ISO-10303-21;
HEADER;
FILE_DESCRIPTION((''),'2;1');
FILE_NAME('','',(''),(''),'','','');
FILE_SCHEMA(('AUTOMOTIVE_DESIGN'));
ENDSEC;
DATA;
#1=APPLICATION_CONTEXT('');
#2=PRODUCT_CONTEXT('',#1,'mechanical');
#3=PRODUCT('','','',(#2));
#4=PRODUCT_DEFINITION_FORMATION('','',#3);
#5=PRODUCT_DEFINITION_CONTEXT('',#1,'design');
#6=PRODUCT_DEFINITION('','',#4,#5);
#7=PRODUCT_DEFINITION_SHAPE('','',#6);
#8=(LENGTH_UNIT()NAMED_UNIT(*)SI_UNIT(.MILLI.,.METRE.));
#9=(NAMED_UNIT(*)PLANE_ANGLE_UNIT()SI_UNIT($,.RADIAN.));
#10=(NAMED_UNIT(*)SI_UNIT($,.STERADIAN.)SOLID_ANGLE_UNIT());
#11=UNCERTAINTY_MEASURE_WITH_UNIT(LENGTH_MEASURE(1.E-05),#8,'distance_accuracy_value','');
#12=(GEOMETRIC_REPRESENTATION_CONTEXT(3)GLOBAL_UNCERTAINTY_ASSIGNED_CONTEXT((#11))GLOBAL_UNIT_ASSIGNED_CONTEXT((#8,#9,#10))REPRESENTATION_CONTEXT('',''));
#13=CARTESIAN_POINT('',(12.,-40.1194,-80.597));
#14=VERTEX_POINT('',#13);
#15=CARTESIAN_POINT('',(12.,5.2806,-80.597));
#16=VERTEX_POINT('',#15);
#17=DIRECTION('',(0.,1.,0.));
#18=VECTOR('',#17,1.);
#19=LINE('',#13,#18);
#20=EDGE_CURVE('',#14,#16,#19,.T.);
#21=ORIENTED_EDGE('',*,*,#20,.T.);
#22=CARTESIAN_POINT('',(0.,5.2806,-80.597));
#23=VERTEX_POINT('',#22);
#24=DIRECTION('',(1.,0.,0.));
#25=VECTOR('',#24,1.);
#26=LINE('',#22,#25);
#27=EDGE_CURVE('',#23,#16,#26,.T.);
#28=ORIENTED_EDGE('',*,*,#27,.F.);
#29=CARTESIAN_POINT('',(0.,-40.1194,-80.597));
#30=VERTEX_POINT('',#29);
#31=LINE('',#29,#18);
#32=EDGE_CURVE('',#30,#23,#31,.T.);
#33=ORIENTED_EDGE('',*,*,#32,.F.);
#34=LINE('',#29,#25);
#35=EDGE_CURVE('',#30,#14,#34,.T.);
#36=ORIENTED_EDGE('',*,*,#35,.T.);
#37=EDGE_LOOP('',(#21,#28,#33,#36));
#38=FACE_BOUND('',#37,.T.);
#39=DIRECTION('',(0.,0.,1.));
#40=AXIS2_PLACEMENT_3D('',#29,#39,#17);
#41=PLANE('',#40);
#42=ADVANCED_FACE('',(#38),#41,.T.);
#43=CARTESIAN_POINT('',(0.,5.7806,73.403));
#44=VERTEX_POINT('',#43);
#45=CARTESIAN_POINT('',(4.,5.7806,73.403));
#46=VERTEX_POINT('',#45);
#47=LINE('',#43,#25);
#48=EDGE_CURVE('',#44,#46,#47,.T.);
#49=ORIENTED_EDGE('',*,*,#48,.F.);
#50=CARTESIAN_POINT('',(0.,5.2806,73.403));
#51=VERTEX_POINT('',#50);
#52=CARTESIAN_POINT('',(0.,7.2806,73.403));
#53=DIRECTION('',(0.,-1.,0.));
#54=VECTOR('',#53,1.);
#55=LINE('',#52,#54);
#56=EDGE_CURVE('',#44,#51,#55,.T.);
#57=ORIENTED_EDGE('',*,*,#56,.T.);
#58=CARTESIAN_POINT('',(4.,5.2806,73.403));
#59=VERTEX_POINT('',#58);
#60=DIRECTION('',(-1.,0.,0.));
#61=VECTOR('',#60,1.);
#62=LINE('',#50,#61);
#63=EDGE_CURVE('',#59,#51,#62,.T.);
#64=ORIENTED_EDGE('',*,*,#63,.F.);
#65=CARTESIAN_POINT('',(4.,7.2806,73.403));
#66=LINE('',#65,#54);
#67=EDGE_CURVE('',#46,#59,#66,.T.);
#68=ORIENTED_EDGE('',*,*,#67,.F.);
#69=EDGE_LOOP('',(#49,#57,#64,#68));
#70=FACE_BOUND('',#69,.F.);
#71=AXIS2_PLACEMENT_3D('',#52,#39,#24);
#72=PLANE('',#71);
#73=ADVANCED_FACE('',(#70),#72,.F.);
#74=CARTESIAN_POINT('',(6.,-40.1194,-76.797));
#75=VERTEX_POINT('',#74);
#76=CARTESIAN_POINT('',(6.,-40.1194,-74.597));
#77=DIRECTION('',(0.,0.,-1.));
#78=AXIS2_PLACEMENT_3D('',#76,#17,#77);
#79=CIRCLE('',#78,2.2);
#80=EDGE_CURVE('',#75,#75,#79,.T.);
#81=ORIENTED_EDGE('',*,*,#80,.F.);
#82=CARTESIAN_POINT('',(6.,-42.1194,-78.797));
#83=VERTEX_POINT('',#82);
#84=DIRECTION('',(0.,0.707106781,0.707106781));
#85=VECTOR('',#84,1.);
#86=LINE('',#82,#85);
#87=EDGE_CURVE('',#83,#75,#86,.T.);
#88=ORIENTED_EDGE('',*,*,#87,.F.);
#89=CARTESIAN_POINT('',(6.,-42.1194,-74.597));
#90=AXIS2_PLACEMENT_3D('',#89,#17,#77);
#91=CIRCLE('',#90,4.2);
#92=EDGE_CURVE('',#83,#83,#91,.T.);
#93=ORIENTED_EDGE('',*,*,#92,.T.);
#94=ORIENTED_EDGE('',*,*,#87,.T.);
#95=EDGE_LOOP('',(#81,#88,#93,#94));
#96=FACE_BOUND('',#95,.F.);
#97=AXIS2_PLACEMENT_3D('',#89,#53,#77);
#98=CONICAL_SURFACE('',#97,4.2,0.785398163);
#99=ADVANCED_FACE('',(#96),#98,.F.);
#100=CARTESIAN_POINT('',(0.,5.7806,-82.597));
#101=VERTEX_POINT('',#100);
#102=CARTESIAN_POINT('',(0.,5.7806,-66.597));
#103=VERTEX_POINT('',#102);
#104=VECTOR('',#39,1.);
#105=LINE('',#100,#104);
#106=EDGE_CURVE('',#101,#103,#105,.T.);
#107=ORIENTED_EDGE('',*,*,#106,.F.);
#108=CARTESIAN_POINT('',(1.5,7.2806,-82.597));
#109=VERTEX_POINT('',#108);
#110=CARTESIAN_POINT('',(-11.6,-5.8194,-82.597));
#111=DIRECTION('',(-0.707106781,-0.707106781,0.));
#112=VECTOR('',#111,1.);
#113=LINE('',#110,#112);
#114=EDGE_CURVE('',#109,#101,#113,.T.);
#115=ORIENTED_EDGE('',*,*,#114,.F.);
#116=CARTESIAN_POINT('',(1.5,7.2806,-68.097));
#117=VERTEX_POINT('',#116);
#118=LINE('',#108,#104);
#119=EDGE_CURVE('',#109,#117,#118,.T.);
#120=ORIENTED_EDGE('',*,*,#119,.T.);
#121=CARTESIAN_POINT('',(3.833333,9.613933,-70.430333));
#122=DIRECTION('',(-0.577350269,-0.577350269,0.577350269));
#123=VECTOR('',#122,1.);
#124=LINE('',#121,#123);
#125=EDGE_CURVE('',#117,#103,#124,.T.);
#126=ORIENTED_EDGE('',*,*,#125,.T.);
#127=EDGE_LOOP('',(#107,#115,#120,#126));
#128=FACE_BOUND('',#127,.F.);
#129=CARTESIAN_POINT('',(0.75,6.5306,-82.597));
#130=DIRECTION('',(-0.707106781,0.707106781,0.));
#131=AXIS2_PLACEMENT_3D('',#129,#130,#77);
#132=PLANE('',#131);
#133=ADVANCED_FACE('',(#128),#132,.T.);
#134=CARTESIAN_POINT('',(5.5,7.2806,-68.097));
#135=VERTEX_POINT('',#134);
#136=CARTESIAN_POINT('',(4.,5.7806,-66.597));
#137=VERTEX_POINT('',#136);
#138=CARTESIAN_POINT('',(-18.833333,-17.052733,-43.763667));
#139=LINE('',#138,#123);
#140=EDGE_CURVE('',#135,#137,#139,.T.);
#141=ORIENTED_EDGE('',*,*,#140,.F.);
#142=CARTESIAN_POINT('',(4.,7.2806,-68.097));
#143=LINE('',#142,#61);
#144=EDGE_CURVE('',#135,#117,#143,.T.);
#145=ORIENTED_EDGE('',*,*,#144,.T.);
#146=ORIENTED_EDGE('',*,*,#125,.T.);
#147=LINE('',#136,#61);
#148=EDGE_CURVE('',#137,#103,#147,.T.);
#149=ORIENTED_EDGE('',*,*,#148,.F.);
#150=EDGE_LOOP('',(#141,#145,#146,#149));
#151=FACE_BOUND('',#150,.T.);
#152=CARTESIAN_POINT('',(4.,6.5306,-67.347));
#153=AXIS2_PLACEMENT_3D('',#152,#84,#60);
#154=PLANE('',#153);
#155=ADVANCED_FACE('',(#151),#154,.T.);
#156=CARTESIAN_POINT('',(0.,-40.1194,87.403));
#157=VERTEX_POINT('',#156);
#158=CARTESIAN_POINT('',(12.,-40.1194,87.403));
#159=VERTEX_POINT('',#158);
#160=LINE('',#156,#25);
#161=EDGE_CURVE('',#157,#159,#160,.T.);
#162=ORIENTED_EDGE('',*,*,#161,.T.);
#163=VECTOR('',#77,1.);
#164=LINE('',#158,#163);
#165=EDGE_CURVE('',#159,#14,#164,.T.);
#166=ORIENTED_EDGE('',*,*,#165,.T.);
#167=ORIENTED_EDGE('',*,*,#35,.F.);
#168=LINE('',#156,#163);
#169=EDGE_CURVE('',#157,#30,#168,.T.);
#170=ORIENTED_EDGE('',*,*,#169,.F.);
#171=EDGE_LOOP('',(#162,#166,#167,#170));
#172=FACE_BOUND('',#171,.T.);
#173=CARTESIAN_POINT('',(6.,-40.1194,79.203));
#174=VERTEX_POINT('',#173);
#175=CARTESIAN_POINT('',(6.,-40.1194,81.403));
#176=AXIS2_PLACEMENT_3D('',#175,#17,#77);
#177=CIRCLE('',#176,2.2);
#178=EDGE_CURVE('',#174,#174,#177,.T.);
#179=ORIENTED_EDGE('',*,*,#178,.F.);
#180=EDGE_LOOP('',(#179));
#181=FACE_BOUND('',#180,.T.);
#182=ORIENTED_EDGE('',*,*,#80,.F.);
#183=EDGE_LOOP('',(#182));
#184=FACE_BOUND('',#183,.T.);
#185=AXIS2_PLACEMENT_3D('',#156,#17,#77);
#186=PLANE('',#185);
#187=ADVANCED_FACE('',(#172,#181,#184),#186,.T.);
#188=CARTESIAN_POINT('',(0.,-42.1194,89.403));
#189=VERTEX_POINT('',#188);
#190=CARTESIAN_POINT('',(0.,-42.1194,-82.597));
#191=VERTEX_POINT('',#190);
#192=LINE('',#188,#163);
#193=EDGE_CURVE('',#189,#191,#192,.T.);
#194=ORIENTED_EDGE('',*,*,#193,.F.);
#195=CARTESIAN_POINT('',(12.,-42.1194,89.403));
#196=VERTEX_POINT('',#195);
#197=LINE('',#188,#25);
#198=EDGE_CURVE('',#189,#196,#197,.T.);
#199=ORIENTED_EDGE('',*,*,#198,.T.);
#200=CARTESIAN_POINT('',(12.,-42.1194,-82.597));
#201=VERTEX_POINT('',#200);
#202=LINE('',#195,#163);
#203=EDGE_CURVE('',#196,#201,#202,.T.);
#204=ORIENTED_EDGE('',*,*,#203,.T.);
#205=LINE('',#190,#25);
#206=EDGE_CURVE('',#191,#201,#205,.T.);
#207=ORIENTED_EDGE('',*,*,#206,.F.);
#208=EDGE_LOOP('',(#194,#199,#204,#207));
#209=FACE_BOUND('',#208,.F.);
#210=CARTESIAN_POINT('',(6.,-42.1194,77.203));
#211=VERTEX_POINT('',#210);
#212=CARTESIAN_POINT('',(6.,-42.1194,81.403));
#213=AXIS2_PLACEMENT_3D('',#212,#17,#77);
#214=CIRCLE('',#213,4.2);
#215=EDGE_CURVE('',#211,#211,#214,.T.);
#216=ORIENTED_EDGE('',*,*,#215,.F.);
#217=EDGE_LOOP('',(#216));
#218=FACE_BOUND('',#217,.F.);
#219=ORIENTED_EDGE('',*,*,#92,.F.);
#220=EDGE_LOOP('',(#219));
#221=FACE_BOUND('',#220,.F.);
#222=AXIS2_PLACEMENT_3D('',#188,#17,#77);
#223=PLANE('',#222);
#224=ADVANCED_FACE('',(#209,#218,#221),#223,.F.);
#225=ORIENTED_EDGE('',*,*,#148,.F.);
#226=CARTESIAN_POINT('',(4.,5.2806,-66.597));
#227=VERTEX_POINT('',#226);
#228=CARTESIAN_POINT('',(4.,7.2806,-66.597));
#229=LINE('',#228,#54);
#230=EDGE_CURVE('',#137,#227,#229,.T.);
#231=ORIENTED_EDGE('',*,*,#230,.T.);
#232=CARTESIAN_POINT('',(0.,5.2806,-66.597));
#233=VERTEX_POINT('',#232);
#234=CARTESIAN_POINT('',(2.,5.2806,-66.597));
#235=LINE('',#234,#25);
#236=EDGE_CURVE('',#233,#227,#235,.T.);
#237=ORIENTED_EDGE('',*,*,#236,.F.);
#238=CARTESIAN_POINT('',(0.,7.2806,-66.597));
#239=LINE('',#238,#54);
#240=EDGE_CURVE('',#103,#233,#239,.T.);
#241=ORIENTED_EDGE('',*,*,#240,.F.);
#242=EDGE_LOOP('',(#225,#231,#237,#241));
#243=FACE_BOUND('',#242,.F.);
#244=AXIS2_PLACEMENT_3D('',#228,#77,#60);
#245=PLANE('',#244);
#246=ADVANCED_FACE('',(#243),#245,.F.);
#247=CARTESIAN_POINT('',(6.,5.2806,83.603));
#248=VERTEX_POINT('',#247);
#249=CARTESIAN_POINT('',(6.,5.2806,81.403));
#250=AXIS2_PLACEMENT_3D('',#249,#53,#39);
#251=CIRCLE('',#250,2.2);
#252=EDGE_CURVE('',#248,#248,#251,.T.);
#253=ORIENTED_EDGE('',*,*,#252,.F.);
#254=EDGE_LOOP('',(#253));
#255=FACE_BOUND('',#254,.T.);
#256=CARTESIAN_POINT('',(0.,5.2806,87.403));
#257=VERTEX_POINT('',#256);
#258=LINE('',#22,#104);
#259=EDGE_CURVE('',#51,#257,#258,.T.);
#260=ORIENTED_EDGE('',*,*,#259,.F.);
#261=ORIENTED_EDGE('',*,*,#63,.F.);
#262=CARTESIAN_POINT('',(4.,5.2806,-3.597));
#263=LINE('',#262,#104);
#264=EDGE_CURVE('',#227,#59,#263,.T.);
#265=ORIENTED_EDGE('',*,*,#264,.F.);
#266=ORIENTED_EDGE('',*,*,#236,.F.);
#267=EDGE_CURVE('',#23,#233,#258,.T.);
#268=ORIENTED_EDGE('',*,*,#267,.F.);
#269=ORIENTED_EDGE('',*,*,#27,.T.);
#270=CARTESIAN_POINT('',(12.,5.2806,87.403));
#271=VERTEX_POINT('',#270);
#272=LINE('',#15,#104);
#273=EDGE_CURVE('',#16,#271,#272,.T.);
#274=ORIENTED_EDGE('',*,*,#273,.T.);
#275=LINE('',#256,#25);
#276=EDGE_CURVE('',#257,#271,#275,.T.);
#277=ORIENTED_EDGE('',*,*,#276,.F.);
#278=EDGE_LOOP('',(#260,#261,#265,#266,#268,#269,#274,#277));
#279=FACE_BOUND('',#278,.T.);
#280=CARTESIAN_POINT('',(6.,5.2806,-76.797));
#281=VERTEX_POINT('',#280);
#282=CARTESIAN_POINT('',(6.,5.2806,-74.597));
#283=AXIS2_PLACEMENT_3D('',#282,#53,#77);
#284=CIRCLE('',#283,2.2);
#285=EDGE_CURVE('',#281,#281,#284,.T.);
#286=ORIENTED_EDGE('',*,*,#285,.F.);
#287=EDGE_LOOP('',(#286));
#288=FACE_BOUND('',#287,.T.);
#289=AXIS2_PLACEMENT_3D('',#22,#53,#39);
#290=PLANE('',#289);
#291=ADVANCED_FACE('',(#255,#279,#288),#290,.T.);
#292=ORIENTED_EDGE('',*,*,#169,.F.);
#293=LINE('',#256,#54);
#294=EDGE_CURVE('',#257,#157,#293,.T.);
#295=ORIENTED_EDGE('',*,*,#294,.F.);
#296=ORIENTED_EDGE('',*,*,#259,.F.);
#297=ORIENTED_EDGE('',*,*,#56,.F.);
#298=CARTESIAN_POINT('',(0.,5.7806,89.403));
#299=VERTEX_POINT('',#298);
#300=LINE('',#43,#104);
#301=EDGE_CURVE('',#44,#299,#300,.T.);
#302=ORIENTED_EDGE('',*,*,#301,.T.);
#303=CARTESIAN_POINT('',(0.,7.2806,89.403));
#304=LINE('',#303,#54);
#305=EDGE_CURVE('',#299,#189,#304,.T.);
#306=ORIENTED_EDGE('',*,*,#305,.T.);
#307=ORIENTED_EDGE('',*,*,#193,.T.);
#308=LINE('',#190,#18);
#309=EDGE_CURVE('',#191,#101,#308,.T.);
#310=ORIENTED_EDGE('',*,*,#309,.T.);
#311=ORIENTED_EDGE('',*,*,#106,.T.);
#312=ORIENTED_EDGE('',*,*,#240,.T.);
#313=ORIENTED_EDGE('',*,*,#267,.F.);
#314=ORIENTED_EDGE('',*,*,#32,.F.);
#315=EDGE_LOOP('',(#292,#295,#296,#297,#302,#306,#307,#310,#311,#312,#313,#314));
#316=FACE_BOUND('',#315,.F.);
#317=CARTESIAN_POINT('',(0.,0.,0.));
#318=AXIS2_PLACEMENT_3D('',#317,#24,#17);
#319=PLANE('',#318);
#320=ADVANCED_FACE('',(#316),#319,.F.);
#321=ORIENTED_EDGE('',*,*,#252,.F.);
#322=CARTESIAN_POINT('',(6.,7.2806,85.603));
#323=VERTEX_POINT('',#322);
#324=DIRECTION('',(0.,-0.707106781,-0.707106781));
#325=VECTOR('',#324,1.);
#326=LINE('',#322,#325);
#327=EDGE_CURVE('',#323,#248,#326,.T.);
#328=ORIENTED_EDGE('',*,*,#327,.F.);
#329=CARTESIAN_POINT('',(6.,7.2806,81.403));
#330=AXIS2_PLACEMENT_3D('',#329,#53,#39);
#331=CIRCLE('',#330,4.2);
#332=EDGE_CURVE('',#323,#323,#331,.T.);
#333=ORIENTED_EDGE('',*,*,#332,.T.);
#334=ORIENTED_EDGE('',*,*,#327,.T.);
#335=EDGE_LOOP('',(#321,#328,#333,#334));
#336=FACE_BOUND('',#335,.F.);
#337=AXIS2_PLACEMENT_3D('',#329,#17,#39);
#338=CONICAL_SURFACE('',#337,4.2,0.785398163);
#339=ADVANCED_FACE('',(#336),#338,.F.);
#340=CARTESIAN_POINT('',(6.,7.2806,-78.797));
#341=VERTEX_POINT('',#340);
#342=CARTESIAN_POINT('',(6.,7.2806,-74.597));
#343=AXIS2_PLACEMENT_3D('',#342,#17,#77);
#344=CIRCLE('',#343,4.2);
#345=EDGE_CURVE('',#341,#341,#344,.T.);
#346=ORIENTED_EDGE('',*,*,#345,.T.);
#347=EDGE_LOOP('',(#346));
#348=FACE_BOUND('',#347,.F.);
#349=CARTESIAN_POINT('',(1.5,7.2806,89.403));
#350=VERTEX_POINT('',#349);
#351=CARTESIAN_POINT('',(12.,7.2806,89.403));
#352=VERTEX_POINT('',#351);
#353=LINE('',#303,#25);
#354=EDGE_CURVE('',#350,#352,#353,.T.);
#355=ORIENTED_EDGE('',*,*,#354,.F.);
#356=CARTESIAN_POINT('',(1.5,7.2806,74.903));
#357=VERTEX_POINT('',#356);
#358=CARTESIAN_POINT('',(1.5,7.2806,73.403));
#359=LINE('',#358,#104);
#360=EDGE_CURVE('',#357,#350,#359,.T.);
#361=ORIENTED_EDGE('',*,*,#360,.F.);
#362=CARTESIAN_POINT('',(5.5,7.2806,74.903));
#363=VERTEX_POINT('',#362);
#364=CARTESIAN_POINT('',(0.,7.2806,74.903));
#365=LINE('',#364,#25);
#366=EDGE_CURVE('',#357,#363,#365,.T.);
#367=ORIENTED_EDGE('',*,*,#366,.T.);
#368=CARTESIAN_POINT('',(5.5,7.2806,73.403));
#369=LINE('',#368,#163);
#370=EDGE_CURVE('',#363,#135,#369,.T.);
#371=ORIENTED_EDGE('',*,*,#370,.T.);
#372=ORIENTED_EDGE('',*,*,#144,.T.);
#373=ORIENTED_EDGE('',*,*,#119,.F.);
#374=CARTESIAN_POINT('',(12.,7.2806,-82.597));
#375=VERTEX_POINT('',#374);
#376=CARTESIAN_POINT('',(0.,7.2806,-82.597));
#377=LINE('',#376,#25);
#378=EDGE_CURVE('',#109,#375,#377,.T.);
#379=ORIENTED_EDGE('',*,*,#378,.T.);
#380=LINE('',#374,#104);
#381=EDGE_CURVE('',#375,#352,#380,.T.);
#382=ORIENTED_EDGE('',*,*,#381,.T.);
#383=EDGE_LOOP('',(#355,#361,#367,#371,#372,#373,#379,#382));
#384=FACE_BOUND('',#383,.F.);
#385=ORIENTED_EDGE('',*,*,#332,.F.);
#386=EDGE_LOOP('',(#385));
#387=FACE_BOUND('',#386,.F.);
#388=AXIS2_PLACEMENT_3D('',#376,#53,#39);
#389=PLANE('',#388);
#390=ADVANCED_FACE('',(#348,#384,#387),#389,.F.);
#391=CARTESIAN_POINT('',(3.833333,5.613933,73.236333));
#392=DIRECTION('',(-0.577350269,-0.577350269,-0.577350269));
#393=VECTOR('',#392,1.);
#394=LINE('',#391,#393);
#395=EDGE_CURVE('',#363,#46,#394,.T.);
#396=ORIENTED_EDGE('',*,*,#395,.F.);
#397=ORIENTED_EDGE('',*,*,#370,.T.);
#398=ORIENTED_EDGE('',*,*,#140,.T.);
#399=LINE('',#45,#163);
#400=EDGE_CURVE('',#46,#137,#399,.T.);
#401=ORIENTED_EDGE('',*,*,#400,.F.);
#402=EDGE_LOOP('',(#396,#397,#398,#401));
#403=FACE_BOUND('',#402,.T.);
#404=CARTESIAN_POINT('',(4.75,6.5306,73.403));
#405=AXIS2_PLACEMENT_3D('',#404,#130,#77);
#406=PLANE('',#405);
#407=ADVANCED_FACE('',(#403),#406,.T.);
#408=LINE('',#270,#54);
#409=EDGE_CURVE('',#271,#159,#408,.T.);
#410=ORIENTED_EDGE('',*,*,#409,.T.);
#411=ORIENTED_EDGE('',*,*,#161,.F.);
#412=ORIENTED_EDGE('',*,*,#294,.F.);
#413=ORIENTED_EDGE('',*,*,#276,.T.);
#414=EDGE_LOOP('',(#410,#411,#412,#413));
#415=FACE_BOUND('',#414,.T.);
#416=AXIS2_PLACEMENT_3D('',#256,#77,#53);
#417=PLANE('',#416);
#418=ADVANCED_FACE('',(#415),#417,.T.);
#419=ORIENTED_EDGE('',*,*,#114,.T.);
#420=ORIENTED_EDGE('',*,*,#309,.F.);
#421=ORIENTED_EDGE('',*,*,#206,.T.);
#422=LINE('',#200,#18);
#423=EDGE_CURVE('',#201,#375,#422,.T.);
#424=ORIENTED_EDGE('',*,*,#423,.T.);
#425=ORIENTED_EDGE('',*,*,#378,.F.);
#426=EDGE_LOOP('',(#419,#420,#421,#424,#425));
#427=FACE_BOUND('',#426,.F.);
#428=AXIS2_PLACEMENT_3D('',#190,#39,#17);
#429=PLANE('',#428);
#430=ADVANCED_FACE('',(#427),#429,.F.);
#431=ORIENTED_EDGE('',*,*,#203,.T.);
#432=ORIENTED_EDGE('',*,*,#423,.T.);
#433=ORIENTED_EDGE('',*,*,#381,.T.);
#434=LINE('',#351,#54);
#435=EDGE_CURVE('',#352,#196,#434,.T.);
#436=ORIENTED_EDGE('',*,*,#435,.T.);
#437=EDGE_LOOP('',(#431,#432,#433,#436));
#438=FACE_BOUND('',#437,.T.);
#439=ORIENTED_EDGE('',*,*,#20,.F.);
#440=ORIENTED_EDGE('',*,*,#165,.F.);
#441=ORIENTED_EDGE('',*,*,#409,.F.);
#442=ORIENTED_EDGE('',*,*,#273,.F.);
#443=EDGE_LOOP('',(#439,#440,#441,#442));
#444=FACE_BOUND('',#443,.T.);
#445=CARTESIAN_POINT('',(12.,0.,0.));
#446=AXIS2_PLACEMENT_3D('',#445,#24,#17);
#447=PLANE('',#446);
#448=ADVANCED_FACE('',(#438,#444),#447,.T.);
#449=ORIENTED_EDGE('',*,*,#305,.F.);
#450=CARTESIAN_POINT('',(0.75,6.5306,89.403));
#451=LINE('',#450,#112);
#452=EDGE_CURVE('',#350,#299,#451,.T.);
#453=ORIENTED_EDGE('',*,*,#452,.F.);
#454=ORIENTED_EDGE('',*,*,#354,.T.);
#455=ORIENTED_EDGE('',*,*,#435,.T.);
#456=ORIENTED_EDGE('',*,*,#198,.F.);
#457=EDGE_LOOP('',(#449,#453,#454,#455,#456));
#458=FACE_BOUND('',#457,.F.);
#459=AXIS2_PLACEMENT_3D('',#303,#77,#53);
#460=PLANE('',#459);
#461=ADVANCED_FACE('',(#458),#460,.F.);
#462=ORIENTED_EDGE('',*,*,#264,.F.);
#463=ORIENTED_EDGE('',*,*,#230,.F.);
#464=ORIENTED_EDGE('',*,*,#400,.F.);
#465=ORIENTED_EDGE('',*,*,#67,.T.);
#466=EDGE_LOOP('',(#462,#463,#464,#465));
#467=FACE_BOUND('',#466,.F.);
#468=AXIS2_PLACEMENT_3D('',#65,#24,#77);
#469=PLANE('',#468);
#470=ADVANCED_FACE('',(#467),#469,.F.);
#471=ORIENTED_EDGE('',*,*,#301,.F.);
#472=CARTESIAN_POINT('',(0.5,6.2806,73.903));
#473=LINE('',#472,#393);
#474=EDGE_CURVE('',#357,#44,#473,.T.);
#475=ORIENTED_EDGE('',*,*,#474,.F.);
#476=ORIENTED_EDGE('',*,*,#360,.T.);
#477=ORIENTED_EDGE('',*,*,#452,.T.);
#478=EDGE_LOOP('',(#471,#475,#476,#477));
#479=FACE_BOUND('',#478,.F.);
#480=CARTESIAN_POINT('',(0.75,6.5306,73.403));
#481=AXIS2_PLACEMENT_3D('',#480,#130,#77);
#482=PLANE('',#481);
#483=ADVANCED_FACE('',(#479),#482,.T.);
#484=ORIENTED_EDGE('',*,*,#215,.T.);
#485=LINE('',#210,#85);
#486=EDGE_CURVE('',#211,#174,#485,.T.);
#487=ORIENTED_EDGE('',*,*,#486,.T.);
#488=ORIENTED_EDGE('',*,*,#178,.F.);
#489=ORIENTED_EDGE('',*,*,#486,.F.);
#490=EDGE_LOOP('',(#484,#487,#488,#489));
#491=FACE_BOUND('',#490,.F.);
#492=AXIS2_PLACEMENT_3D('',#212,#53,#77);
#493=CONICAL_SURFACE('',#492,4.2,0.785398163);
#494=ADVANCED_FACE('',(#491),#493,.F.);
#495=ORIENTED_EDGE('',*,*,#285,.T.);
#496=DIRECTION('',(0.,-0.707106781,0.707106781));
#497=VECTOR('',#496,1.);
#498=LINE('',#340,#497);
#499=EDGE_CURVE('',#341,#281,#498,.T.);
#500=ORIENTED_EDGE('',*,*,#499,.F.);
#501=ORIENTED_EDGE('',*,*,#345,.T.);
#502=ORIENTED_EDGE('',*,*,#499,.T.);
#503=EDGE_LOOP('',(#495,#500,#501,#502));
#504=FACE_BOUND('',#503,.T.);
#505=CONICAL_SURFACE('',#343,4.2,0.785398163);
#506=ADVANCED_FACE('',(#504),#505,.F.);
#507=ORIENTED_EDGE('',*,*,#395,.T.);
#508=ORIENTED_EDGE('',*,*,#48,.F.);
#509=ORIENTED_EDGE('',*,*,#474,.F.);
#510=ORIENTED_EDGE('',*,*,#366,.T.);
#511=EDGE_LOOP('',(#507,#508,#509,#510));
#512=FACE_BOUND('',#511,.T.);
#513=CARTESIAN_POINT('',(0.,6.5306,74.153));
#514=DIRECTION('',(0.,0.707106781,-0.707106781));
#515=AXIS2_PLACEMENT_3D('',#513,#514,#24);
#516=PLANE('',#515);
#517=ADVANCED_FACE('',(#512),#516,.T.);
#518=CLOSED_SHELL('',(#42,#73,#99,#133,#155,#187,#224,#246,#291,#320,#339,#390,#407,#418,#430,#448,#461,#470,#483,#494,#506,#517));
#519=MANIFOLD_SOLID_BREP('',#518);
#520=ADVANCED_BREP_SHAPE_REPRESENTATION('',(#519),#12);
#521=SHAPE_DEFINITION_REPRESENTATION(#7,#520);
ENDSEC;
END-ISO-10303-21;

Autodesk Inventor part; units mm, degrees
ref_plane "YZ Plane" through (0, 0, 0) normal (1, 0, 0) x (0, 1, 0)
ref_plane "XZ Plane" through (0, 0, 0) normal (0, 1, 0) x (-1, 0, 0)
ref_plane "XY Plane" through (0, 0, 0) normal (0, 0, 1) x (1, 0, 0)
sketch "Sketch1" plane through (0, 0, 0) normal (1, 0, 0) x (0, 1, 0)
  line L0 (5.2806, 87.403) -> (-40.1194, 87.403)
  line L1 (-40.1194, 87.403) -> (-40.1194, -80.597)
  line L2 (-40.1194, -80.597) -> (5.2806, -80.597)
  line L3 (5.2806, -80.597) -> (5.2806, 87.403)
  line L4 (7.2806, 89.403) -> (-42.1194, 89.403)
  line L5 (-42.1194, 89.403) -> (-42.1194, -82.597)
  line L6 (-42.1194, -82.597) -> (7.2806, -82.597)
  line L7 (7.2806, -82.597) -> (7.2806, 89.403)
  point P0 (0, 0)
  dimension "d0" = 168
  dimension "d1" = 45.4
  dimension "d2" = 2
extrude "Extrusion1" add sketch "Sketch1" along normal blind 12
sketch "Sketch2" plane through (0, 7.2806, 89.403) normal (0, 1, 0) x (1, 0, 0)
  line L0 (12, 172) -> (12, 0) projected
  line L1 (0, 0) -> (12, 0) projected
  point P0 (0, 89.403)
  point P1 (6, 8)
  dimension "d5" = 6
  dimension "d6" = 8
hole "Hole1" at (6, 7.2806, 81.403) direction (0, -1, 0) diameter 4 depth 10 tip angle 118 countersink diameter 8.4 countersink angle 90
ref_plane "Work Plane1" through (0, -42.1194, 3.403) normal (0, 0, 1) x (1, 0, 0)
mirror "Mirror1" about plane through (0, -42.1194, 3.403) normal (0, 0, 1) of "Hole1"
sketch "Sketch3" plane through (0, 7.2806, 89.403) normal (0, 1, 0) x (1, 0, 0)
  line L0 (0, 0) -> (0, 172) projected
  line L1 (0, 16) -> (4, 16)
  line L2 (4, 16) -> (4, 156)
  line L3 (4, 156) -> (0, 156)
  line L4 (0, 156) -> (0, 16)
  line L5 (0, 0) -> (12, 0) projected
  line L6 (0, 172) -> (12, 172) projected
  circle A0 centre (6, 8) radius 2.2 projected
  point P0 (0, 89.403)
  point P1 (0, 156)
  dimension "d15" = 16
  dimension "d16" = 4
  dimension "d22" = 8
  dimension "d23" = 8
extrude "Extrusion2" cut sketch "Sketch3" against normal blind 10 contours L0 L3 L2 L1
chamfer "Chamfer1" distance 1.5 angle 45 5 edges at (4, 7.2806, 3.403) (2, 7.2806, 73.403) (0, 7.2806, 81.403) (2, 7.2806, -66.597) (0, 7.2806, -74.597)
sketch "Sketch4" plane through (12, 0, 0) normal (1, 0, 0) x (0, 0, -1)
  point P0 (0, 0)
sketch "Sketch5" plane through (0, -42.1194, -82.597) normal (0, -1, 0) x (1, 0, 0)
  circle A0 centre (6, 164) radius 2.2 projected
  circle A1 centre (6, 8) radius 2.2 projected
  point P0 (0, 82.597)
hole "Hole2" at (6, -42.1194, 81.403) at (6, -42.1194, -74.597) direction (0, 1, 0) diameter 4 depth 10 tip angle 118 countersink diameter 8.4 countersink angle 90
properties part number "front ring part"
